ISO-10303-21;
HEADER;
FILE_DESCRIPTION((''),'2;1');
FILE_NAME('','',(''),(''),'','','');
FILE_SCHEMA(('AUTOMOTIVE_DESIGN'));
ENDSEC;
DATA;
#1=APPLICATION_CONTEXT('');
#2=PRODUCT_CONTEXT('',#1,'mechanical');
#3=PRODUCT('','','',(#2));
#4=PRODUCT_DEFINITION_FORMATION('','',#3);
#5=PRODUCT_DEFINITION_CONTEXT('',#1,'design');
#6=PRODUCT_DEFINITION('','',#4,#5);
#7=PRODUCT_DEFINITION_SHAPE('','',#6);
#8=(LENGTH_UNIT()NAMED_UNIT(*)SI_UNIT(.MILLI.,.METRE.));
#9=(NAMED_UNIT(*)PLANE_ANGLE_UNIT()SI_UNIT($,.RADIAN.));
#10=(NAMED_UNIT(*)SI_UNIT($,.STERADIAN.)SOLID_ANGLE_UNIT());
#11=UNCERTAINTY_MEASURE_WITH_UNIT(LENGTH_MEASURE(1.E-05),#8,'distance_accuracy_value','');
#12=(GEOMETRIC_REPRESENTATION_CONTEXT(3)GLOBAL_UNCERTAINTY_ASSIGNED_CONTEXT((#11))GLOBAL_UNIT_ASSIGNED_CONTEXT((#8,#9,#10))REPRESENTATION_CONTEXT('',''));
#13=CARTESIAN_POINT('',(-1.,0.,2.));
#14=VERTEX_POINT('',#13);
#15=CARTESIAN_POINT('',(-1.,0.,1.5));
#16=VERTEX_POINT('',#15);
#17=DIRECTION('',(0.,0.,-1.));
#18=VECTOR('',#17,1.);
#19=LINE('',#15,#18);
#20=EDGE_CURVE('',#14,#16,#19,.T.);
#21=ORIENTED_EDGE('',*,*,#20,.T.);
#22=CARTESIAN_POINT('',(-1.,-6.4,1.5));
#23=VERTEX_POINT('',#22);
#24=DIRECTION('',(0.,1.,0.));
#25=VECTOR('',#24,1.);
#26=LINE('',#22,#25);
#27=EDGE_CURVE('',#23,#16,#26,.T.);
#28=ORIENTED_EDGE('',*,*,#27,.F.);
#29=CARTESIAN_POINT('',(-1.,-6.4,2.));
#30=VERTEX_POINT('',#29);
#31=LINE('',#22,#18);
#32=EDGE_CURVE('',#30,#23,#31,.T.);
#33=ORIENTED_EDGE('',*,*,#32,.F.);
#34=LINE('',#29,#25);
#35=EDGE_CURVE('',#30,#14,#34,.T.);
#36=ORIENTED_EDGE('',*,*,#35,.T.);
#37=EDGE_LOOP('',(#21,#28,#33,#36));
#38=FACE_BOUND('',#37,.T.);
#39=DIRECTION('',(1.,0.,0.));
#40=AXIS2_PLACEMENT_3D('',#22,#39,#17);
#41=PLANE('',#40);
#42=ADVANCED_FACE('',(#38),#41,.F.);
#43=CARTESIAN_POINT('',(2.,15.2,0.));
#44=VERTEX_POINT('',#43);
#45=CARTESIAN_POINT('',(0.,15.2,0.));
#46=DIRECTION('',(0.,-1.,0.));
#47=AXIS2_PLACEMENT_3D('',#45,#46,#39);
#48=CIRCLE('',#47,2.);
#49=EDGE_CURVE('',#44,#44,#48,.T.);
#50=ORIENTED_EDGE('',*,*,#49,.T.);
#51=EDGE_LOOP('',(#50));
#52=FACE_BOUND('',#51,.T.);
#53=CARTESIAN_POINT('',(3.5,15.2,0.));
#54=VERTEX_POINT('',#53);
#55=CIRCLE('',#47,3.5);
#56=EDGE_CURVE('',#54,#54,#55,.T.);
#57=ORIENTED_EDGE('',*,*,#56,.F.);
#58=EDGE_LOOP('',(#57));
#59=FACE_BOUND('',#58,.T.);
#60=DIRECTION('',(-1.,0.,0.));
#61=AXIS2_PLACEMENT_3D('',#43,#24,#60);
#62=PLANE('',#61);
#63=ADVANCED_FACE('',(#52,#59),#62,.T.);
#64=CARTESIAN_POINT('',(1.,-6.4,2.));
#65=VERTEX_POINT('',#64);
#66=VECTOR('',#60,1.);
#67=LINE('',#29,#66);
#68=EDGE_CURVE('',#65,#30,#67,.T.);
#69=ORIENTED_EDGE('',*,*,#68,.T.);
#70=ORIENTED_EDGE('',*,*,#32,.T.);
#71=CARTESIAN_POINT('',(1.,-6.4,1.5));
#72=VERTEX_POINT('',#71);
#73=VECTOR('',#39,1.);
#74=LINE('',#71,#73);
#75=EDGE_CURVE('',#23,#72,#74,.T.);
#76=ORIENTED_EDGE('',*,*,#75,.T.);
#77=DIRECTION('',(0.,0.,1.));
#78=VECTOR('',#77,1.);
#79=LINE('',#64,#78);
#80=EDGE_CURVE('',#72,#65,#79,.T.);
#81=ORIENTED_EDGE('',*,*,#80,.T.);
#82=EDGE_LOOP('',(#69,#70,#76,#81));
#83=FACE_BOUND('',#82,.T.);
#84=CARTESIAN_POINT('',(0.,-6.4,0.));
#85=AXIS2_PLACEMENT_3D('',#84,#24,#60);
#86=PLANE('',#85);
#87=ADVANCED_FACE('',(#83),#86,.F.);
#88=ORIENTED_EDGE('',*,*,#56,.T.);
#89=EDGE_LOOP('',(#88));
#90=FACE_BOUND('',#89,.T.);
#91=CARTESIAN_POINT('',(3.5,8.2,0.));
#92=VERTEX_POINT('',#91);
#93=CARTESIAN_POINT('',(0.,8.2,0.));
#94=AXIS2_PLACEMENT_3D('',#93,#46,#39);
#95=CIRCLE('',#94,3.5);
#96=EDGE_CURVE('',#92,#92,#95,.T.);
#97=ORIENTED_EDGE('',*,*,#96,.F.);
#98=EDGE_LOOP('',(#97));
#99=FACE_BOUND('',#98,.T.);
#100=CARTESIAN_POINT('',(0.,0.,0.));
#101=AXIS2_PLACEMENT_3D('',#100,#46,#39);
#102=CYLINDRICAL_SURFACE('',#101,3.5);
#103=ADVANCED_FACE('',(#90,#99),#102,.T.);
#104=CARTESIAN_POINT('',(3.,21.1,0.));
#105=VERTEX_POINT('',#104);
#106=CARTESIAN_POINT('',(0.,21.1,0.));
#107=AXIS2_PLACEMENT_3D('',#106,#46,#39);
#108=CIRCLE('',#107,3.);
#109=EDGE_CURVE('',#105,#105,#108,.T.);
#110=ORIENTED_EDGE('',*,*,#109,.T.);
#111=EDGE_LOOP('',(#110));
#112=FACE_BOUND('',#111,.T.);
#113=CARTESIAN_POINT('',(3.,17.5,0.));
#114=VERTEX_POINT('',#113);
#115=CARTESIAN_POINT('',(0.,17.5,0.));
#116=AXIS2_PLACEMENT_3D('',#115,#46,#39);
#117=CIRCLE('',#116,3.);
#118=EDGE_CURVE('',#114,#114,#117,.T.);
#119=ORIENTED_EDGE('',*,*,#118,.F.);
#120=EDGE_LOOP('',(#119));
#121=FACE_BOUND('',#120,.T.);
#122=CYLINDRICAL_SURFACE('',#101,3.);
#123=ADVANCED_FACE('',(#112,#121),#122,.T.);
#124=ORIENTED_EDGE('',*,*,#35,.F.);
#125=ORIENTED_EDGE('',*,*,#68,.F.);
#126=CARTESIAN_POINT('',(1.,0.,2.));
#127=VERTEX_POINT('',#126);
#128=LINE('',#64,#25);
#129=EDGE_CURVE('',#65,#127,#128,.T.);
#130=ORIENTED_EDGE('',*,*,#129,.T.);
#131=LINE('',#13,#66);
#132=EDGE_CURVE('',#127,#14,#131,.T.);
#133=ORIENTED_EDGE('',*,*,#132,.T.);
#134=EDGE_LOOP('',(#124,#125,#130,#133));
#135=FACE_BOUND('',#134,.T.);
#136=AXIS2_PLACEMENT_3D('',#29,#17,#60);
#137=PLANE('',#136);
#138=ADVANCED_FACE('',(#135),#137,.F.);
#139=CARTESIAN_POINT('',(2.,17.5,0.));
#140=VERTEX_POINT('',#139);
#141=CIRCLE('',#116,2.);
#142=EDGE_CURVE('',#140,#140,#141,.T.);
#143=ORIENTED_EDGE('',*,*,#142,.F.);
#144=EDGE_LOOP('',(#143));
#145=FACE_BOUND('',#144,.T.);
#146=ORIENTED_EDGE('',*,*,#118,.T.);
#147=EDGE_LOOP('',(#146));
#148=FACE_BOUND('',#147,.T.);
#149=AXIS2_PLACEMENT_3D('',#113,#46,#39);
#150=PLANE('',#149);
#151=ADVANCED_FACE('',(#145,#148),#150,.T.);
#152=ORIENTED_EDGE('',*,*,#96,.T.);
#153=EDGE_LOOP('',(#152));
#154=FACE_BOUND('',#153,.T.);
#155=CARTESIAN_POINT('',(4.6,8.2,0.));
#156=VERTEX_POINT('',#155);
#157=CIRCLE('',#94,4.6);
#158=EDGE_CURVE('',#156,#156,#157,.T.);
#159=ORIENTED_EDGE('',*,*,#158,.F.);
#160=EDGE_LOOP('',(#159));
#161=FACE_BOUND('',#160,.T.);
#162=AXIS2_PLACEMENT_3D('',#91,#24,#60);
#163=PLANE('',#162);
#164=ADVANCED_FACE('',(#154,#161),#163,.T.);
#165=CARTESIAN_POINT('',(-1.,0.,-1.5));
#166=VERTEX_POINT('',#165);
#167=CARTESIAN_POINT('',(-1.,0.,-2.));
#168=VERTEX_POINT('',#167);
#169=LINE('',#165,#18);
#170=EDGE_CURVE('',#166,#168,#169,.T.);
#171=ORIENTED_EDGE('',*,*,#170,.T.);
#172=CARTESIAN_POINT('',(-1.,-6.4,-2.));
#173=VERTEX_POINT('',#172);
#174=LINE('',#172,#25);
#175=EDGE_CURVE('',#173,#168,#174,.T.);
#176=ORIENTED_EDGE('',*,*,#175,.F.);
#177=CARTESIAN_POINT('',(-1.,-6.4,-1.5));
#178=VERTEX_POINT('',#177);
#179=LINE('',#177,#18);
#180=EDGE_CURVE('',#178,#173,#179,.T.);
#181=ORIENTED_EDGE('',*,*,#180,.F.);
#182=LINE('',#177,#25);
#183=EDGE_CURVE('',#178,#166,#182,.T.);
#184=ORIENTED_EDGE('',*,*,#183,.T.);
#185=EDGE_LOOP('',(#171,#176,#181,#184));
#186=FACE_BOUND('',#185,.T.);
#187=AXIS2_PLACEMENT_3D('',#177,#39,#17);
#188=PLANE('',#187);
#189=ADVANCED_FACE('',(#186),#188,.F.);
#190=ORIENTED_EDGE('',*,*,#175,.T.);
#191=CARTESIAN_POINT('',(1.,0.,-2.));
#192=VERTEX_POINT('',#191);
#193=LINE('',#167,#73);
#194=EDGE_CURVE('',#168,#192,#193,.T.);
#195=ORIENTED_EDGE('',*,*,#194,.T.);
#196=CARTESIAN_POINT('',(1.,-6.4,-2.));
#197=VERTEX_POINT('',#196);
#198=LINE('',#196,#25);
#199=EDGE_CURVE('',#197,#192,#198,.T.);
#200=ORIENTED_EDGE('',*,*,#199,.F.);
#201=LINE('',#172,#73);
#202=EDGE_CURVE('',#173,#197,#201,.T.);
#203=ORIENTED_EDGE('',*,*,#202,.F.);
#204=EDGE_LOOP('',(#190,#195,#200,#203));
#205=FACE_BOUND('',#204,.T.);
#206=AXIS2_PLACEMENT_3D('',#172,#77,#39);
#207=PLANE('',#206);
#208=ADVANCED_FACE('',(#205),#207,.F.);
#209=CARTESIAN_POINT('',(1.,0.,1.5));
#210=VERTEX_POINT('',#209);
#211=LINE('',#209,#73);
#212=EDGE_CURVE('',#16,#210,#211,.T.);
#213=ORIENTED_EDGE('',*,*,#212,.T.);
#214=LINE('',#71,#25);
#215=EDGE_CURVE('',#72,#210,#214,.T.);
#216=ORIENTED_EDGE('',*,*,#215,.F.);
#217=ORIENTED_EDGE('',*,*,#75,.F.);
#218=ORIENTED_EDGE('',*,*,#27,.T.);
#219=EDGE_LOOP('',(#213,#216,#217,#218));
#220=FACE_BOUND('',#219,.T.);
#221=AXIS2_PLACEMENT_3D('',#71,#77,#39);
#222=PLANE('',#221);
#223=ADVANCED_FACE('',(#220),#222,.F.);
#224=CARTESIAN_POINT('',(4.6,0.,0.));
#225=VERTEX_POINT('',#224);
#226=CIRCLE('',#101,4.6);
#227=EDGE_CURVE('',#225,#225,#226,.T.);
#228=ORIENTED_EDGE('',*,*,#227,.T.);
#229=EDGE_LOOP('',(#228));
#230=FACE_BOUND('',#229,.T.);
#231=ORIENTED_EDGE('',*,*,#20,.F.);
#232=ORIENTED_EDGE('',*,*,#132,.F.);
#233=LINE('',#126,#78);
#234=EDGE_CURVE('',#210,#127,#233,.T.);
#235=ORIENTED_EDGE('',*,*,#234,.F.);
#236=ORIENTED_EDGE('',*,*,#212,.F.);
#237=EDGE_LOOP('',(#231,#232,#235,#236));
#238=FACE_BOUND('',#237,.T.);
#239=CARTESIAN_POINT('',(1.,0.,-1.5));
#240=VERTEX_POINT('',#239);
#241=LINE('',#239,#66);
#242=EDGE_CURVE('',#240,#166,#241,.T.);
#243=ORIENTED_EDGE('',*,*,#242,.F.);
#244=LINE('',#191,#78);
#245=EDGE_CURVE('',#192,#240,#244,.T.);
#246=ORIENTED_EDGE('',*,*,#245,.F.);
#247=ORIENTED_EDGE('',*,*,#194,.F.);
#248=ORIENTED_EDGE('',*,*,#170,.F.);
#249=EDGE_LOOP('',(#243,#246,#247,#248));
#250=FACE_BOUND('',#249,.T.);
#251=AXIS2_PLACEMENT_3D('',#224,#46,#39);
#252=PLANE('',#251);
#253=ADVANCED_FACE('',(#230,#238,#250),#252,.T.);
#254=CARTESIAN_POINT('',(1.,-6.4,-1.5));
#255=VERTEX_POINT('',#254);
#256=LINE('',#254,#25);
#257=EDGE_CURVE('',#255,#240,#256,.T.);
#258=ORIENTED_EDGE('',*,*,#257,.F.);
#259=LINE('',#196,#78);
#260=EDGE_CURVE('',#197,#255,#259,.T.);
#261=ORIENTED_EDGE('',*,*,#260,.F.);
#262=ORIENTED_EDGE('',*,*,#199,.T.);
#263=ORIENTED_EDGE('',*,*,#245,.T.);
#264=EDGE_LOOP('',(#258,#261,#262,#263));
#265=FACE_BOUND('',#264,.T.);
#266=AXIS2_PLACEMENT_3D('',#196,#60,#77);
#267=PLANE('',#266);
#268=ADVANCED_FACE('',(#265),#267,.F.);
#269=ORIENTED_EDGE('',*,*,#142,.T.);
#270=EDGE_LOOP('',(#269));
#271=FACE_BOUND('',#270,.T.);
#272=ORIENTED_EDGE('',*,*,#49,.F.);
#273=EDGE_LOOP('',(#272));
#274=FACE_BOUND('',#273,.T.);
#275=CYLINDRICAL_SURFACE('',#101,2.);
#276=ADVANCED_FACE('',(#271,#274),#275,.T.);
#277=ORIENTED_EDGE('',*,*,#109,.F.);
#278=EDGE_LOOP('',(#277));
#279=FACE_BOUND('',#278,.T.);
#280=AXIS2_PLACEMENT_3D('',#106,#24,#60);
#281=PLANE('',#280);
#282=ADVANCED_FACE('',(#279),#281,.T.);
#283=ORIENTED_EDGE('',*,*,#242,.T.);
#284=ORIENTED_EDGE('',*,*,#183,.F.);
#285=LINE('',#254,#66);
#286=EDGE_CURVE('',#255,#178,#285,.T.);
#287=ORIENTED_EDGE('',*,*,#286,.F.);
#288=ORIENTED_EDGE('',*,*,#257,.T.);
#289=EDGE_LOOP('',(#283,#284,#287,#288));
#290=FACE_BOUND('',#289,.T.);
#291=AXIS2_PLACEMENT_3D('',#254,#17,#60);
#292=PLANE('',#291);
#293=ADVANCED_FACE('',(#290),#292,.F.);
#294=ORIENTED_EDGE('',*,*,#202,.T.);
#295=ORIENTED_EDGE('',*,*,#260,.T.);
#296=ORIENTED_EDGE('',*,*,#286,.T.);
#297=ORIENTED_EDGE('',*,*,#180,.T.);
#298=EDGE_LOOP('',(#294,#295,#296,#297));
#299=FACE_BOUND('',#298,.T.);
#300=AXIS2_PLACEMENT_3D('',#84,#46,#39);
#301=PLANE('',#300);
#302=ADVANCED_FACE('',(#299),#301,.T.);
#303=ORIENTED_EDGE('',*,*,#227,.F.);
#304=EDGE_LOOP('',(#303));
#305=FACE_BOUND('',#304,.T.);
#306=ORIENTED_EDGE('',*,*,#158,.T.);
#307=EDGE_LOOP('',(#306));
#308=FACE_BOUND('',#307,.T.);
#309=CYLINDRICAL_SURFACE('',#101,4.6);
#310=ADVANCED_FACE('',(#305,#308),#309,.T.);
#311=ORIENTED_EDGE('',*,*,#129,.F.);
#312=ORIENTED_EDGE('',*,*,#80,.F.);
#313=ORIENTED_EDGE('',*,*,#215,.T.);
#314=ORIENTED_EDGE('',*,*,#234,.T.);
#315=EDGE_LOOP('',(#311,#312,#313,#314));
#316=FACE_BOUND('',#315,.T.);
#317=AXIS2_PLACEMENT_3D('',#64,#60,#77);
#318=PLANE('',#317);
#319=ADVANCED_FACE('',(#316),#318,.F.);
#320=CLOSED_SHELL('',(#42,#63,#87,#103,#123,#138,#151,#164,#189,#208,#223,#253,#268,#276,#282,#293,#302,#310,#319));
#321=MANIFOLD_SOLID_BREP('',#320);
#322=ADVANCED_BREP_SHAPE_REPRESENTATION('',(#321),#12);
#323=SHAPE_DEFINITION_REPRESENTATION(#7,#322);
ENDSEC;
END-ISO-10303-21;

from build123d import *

# Parameters (mm, degrees)
SKETCH_2_W        = 2
SKETCH_2_H        = 0.5
EXTRUDE_795_DEPTH = 6.4


with BuildPart() as part:
    # Эскиз1 → Revolve 542 (revolve)
    with BuildSketch(Plane.XY):
        Polygon((0, 0), (0, 21.1), (3, 21.1), (3, 17.5), (2, 17.5), (2, 15.2), (3.5, 15.2), (3.5, 8.2), (4.6, 8.2), (4.6, 0), align=None)
    revolve(axis=Axis((0, 0, 0), (0, 1, 0)))

    # Эскиз2 → Extrude 795 (add)
    with BuildSketch(Plane.XZ):
        with Locations((0, 1.75)):
            Rectangle(SKETCH_2_W, SKETCH_2_H)
        with Locations((0, -1.75)):
            Rectangle(SKETCH_2_W, SKETCH_2_H)
    extrude(amount=EXTRUDE_795_DEPTH)


solid = part.part
